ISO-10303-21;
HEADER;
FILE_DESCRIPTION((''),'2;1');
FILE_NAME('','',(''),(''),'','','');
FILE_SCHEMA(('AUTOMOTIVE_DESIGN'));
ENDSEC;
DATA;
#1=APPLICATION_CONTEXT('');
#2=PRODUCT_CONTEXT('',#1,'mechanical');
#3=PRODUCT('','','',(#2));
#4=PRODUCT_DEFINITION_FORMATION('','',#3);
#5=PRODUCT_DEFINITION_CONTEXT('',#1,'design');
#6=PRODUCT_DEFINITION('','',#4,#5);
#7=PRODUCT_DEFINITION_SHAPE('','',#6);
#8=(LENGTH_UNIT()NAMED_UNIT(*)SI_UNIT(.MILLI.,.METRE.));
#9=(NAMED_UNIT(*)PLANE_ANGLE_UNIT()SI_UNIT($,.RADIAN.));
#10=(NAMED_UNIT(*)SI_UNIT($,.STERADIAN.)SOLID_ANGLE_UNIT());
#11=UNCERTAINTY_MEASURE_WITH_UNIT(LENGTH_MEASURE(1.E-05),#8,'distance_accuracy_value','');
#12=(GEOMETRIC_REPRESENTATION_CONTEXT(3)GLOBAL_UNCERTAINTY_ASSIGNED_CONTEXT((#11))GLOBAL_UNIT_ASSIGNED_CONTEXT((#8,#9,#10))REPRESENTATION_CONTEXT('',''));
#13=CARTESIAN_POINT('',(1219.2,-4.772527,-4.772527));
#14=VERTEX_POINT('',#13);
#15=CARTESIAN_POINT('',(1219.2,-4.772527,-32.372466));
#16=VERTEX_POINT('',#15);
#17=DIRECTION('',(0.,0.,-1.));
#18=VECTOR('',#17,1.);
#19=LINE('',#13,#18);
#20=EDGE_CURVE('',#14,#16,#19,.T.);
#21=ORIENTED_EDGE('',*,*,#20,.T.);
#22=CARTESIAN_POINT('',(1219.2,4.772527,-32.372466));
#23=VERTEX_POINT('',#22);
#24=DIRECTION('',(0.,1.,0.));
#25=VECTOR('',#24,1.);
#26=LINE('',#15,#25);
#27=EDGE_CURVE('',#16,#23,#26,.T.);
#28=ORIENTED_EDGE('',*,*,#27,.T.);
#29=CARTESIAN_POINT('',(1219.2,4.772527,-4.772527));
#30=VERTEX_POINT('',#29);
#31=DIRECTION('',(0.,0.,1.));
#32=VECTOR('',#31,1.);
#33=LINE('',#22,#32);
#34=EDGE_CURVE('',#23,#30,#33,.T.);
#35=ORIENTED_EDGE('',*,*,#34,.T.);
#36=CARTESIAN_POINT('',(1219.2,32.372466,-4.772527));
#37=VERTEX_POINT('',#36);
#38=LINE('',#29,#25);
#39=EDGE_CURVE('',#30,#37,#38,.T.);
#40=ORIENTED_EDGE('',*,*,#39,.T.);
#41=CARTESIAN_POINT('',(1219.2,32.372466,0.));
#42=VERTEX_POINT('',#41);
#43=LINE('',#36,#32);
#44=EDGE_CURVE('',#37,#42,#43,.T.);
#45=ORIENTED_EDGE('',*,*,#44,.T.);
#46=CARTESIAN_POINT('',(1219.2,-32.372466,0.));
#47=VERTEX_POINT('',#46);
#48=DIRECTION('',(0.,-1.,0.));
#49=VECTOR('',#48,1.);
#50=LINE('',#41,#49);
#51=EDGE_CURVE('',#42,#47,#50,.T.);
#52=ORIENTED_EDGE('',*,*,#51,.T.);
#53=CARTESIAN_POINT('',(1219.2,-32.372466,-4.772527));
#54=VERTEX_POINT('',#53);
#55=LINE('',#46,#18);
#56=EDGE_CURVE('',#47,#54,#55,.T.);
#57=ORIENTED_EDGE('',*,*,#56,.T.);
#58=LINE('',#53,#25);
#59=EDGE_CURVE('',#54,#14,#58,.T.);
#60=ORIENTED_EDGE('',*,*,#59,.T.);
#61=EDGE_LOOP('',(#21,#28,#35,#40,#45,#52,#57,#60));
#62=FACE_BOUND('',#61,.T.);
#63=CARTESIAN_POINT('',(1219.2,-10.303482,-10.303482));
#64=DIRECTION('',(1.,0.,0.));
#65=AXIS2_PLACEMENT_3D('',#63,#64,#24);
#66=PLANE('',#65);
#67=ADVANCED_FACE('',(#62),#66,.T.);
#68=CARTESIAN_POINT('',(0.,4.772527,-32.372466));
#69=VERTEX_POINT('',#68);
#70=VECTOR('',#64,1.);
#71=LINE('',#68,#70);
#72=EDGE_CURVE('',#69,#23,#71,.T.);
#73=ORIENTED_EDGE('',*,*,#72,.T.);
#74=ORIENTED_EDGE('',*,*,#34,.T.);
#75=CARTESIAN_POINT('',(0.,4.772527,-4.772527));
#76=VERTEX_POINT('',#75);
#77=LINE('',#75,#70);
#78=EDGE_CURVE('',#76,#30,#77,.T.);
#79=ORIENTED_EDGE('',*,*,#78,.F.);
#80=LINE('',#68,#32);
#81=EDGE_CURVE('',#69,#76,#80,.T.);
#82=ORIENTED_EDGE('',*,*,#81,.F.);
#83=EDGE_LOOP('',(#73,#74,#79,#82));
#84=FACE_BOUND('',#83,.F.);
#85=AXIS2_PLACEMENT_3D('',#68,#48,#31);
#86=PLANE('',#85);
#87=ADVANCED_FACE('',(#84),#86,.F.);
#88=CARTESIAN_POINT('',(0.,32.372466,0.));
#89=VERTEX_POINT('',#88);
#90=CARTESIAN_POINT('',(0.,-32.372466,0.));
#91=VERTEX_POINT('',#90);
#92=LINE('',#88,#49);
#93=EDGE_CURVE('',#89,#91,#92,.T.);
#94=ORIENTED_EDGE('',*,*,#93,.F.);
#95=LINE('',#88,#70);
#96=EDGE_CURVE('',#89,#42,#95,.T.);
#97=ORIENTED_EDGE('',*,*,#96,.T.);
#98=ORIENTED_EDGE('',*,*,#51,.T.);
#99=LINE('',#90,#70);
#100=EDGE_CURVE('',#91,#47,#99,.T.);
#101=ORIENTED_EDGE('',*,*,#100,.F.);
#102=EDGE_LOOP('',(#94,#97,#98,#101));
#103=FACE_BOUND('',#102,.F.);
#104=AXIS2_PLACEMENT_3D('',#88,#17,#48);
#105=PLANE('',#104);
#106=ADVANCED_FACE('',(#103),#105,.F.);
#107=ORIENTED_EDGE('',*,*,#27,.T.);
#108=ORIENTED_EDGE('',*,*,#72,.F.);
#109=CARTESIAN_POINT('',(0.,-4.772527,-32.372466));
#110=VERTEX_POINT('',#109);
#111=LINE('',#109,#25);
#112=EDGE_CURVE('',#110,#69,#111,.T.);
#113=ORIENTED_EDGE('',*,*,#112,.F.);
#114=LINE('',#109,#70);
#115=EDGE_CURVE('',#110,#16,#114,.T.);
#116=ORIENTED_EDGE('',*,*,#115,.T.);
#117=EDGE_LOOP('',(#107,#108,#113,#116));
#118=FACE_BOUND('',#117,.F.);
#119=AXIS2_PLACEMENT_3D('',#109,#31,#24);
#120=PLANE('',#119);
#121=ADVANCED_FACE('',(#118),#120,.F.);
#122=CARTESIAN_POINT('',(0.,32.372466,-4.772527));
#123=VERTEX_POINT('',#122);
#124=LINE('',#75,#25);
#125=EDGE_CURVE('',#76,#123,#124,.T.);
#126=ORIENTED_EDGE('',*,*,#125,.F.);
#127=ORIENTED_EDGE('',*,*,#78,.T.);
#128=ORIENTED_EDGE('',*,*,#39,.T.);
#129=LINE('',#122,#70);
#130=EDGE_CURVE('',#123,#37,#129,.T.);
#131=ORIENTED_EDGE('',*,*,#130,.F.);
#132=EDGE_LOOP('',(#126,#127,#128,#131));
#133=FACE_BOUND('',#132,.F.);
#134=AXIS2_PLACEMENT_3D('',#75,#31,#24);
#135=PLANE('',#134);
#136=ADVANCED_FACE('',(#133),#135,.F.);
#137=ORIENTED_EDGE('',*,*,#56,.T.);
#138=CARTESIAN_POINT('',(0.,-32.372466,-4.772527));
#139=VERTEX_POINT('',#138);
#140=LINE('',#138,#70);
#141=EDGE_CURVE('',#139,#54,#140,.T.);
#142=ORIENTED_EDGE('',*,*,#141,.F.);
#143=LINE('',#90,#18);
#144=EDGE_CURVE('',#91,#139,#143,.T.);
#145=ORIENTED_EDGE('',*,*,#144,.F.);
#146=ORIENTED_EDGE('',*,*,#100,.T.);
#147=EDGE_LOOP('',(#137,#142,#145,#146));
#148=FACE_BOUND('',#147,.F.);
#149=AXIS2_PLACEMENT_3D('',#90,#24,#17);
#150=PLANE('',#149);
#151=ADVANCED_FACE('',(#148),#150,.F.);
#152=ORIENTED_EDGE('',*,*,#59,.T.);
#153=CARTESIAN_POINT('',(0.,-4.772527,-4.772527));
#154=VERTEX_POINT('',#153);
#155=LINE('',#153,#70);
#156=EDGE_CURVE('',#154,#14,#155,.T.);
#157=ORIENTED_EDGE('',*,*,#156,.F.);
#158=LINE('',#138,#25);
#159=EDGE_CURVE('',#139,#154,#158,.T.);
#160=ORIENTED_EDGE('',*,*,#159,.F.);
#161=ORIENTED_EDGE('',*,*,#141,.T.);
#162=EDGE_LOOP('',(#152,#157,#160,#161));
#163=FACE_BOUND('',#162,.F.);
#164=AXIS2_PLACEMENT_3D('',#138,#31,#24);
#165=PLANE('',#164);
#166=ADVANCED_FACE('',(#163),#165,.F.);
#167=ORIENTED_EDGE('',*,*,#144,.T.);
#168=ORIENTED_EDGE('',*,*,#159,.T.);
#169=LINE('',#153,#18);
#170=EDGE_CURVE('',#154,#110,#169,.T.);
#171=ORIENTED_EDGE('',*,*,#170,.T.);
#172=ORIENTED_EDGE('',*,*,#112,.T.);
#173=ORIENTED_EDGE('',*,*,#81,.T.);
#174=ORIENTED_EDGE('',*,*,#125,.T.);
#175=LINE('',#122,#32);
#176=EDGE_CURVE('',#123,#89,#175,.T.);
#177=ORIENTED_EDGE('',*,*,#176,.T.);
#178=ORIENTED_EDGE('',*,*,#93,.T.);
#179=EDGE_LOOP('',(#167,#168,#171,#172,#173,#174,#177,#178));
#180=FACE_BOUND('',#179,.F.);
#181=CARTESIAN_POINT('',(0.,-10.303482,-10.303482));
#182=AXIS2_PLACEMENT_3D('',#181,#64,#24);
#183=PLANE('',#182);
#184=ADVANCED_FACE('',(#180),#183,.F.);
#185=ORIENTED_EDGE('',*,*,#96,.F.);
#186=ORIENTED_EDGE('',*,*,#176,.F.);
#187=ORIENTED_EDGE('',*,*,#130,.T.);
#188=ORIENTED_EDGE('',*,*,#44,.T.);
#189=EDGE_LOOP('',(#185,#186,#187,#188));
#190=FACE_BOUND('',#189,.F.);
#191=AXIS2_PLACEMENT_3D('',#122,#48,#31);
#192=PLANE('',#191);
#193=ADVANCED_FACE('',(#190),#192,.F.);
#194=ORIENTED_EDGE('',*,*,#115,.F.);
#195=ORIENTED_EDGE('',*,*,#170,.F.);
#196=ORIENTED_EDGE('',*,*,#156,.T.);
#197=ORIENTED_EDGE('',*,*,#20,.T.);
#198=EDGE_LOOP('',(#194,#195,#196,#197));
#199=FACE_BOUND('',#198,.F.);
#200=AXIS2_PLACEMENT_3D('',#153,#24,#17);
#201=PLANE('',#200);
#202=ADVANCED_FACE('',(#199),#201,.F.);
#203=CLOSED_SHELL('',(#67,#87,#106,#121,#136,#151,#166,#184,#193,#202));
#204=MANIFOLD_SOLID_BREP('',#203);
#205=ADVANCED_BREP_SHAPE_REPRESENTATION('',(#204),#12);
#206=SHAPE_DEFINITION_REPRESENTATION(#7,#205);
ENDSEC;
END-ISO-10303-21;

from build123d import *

# Parameters (mm, degrees)
F1_DEPTH = 1219.2


with BuildPart() as f1:
    # F0 (on Right) → F1 (new body)
    with BuildSketch(Plane.YZ):
        Polygon((0, -32.372466), (0, 0), (-32.372466, 0), (-32.372466, -4.772527), (-4.772527, -4.772527), (-4.772527, -32.372466), align=None)
        Polygon((32.372466, 0), (0, 0), (0, -32.372466), (4.772527, -32.372466), (4.772527, -4.772527), (32.372466, -4.772527), align=None)
    extrude(amount=F1_DEPTH)


solid = f1.part
